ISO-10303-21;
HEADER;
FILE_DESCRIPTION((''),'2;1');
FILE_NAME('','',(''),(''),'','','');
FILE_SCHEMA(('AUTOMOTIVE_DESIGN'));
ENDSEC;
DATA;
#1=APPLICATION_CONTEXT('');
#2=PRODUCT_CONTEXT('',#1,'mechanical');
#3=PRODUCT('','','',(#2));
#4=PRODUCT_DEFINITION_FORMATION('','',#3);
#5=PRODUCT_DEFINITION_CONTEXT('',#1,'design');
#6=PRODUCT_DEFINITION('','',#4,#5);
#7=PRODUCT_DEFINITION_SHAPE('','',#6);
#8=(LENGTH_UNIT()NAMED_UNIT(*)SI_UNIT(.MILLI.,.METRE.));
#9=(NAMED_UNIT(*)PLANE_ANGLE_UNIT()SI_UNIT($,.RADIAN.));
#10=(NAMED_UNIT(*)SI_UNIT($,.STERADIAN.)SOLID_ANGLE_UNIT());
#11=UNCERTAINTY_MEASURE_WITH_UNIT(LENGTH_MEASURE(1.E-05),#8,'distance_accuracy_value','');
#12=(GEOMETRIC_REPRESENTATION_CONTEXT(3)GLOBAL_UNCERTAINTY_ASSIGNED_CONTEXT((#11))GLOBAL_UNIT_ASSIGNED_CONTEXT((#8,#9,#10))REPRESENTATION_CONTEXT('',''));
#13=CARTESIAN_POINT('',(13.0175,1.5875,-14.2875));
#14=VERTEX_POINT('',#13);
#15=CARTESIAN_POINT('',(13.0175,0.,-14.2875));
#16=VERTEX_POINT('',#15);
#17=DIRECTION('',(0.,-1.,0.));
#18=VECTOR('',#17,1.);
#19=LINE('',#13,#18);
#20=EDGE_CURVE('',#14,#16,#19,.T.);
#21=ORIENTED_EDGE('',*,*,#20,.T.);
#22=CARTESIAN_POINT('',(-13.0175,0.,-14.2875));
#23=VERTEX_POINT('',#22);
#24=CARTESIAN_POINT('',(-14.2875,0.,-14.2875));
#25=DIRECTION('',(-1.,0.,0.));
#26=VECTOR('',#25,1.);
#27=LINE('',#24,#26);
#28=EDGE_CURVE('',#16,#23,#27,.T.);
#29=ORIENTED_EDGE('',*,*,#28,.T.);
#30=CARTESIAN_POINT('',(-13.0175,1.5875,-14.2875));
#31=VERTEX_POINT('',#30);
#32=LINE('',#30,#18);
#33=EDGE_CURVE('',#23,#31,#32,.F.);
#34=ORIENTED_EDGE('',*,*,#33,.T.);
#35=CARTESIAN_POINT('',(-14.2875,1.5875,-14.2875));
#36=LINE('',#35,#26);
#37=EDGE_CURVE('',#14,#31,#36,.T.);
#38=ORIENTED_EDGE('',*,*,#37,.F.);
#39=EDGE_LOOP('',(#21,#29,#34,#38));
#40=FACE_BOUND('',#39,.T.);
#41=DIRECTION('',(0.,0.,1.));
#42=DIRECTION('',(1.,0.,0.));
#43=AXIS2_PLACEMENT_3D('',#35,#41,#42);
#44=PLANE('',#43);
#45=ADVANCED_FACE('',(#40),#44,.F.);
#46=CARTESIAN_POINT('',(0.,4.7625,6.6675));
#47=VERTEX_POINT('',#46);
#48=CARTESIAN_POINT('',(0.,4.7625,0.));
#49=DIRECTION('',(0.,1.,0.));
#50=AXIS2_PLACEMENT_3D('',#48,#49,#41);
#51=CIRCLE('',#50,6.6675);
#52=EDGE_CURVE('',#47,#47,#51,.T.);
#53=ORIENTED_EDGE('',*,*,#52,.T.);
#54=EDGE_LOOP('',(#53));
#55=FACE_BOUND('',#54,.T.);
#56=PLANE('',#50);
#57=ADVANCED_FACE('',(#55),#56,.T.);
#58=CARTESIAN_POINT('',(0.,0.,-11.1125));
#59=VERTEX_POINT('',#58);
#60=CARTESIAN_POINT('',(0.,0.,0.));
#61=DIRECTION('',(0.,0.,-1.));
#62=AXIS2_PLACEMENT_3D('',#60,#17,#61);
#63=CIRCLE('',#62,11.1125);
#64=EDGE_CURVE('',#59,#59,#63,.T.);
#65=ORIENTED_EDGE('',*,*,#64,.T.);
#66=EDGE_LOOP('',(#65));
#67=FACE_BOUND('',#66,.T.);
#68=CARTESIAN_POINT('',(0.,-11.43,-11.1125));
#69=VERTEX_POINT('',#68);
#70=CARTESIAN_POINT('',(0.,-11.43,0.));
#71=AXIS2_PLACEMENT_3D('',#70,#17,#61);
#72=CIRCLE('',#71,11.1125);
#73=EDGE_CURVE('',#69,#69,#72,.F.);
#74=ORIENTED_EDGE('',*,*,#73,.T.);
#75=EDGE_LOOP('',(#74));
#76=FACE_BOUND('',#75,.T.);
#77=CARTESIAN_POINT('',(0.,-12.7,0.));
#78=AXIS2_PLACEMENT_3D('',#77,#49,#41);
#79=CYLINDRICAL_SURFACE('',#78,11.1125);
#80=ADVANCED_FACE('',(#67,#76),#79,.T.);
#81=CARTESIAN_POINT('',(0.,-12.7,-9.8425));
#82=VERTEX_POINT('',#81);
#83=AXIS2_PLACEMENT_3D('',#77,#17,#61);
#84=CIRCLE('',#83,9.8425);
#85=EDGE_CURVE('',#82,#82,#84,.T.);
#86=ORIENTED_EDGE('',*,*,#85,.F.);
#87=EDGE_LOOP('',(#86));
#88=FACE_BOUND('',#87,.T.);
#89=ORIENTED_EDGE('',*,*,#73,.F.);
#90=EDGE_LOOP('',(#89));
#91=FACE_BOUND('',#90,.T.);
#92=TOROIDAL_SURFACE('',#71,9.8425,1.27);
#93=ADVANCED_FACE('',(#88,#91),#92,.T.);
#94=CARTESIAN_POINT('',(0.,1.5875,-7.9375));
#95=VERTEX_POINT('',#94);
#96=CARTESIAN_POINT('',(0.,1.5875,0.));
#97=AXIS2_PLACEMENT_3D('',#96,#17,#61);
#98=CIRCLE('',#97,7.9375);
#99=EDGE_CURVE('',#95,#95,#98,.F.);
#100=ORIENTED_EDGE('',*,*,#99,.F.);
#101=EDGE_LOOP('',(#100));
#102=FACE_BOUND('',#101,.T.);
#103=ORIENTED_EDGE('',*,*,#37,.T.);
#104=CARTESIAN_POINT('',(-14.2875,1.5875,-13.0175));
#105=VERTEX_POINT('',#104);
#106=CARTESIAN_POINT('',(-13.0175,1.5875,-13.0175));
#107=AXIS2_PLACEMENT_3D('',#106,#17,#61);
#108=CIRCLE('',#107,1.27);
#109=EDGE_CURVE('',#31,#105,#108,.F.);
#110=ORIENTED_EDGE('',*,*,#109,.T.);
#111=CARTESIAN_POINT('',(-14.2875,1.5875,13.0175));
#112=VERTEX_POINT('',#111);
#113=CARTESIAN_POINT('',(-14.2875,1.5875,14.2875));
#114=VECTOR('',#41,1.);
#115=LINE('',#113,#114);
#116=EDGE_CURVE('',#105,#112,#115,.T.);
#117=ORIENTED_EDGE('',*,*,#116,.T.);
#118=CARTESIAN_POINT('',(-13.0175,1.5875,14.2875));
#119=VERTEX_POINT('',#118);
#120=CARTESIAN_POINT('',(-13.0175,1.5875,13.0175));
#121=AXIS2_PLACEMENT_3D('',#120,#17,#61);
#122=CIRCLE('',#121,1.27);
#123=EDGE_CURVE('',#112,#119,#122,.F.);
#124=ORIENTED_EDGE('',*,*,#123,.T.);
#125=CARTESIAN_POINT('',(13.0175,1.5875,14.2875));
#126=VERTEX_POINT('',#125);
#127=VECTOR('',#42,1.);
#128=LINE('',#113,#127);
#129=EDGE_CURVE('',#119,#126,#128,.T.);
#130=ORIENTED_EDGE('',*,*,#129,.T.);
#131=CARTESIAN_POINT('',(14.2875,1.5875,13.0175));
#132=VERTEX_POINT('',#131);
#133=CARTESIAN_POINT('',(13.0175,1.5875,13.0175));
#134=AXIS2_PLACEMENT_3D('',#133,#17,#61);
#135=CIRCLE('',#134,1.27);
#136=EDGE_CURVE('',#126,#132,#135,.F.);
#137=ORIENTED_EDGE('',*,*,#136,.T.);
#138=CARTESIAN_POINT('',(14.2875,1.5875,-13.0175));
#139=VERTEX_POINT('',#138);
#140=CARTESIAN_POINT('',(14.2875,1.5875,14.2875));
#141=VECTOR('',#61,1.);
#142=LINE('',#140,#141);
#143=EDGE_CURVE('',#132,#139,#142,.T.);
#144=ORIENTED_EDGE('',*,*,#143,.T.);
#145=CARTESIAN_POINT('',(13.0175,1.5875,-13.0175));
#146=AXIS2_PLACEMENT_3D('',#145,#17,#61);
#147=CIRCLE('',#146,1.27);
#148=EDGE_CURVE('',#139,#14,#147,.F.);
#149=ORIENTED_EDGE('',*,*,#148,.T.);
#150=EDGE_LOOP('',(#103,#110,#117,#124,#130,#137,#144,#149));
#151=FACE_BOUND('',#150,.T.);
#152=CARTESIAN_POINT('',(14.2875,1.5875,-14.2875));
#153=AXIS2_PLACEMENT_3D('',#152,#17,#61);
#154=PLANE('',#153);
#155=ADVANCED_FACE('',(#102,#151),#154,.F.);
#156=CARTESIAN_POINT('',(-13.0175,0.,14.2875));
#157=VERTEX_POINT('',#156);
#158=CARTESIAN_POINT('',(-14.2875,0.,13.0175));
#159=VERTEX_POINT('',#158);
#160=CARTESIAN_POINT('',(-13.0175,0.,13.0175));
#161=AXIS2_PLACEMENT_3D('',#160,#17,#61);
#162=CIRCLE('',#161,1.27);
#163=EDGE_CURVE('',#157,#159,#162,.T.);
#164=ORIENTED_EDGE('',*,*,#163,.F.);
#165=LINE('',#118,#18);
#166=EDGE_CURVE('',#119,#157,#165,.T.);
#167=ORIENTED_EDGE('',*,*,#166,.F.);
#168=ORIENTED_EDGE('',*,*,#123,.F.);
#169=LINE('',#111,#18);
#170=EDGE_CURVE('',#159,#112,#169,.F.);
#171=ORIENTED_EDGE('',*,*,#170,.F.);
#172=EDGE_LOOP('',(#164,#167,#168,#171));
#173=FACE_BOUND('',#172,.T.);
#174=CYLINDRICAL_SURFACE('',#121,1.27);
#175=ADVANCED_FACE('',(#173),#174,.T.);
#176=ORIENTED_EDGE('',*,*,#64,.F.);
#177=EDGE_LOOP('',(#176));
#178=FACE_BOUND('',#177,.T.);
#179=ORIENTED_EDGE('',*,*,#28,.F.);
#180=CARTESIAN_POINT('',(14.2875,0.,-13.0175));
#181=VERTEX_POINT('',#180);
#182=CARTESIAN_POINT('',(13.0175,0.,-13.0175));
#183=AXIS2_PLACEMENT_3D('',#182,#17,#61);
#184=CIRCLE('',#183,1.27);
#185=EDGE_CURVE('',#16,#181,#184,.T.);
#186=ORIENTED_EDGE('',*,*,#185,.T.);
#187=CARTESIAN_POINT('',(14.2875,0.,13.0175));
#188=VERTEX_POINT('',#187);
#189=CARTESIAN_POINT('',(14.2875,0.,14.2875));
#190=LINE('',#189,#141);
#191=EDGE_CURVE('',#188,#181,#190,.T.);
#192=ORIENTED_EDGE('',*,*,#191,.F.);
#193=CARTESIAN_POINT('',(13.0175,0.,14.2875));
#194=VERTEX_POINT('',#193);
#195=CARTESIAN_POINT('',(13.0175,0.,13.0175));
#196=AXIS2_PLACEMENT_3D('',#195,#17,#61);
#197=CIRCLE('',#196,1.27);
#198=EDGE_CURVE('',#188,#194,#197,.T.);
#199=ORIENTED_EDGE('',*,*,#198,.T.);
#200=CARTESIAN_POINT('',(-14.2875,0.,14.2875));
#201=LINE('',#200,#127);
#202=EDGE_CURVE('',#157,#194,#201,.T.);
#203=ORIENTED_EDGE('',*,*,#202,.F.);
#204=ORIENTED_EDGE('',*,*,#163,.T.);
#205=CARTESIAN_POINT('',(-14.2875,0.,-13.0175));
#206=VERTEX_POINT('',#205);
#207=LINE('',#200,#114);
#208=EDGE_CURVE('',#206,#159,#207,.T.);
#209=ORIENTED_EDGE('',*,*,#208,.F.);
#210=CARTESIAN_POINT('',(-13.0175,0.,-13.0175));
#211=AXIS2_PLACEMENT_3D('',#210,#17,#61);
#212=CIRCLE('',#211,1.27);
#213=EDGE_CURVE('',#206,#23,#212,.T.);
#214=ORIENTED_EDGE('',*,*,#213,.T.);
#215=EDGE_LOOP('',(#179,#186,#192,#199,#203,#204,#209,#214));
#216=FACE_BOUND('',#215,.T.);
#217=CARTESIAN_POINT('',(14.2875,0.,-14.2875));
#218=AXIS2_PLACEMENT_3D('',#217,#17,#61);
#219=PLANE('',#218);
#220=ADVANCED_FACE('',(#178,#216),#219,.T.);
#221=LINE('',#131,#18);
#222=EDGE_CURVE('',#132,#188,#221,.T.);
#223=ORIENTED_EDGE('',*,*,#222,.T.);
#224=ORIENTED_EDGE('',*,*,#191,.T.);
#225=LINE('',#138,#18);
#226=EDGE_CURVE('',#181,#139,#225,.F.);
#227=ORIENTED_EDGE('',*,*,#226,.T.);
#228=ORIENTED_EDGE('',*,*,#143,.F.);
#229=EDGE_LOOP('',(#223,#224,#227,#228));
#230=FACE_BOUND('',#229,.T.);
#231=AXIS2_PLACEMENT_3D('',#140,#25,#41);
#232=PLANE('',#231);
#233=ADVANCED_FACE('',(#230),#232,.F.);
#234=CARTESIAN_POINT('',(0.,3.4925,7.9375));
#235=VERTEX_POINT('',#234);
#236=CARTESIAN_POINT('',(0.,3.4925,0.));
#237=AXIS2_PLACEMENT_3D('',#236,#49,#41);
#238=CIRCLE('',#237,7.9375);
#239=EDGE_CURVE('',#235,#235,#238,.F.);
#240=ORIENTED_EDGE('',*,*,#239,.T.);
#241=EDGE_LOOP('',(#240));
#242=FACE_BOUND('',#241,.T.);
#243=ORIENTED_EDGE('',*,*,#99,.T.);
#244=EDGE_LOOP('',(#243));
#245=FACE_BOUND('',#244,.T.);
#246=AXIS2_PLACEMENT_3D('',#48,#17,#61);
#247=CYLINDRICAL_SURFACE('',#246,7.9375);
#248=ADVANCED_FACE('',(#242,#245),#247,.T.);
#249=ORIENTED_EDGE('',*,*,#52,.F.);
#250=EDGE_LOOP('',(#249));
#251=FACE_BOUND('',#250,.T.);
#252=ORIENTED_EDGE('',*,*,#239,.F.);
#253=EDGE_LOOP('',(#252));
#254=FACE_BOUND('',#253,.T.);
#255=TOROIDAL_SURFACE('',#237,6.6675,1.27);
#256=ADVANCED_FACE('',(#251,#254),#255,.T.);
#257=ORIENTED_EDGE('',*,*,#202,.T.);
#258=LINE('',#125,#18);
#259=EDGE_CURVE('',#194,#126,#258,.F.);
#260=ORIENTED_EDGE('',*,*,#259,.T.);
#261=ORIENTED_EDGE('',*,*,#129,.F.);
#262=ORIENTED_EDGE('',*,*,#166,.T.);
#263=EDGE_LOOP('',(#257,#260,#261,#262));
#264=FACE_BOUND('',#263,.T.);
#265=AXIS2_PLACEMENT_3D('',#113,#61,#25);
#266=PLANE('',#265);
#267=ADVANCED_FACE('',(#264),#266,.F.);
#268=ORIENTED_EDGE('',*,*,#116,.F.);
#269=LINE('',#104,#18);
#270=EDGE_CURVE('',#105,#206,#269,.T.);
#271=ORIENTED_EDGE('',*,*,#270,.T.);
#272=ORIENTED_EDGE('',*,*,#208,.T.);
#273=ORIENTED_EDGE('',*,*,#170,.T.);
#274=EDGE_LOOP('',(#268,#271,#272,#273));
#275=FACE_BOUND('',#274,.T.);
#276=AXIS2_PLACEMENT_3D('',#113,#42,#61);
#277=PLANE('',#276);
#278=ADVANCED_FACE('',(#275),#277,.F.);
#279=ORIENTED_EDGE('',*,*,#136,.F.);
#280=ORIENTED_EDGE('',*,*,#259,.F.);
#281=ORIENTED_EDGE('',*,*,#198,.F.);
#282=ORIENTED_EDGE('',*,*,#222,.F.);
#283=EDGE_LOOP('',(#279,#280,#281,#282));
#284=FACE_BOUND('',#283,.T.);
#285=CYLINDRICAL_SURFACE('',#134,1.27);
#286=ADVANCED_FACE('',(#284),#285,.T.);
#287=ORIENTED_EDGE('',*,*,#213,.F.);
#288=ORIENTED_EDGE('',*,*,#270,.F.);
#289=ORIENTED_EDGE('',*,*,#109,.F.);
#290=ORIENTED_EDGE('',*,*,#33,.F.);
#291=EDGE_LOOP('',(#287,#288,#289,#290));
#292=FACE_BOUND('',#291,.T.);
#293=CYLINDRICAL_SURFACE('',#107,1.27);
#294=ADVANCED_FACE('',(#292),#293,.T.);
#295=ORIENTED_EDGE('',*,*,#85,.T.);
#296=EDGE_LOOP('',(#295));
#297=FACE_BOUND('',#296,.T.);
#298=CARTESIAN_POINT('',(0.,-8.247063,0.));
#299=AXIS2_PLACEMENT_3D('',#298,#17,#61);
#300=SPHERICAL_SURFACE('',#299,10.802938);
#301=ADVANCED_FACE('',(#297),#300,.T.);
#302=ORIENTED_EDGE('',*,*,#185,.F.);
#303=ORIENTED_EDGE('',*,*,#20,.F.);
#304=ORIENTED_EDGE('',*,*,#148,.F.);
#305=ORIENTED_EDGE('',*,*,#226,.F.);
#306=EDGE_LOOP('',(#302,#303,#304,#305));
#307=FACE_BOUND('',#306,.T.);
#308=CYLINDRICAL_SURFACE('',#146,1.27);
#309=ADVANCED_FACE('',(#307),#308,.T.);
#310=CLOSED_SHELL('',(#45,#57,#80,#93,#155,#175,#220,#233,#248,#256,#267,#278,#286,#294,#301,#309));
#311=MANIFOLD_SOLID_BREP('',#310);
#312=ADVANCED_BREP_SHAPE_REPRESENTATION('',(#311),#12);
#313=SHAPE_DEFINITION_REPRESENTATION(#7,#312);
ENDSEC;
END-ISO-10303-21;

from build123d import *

# Parameters (mm, degrees)
SKETCH1_W           = 28.575
SKETCH1_H           = 28.575
BOSS_EXTRUDE1_DEPTH = 1.5875
SKETCH2_R           = 7.9375
BOSS_EXTRUDE2_DEPTH = 3.175
SKETCH3_R           = 11.1125
BOSS_EXTRUDE3_DEPTH = 12.7
FILLET1_R           = 1.27
DOME1_FACE_RADIUS   = 9.8425
DOME1_HEIGHT        = 6.35
FILLET2_R           = 1.27


with BuildPart() as part:
    # Sketch1 → Boss-Extrude1 (new body)
    with BuildSketch(Plane(origin=(0, 0, 0), x_dir=(1, 0, 0), z_dir=(0, 1, 0))):
        Rectangle(SKETCH1_W, SKETCH1_H)
    extrude(amount=BOSS_EXTRUDE1_DEPTH)

    # Sketch2 → Boss-Extrude2 (add)
    with BuildSketch(Plane(origin=(0, 1.5875, 0), x_dir=(1, 0, 0), z_dir=(0, 1, 0))):
        Circle(SKETCH2_R)
    extrude(amount=BOSS_EXTRUDE2_DEPTH)

    # Sketch3 → Boss-Extrude3 (add)
    with BuildSketch(Plane.XZ):
        Circle(SKETCH3_R)
    extrude(amount=BOSS_EXTRUDE3_DEPTH)

    # Fillet1
    fillet1_edges = [part.edges().sort_by_distance(p)[0] for p in [
        (-7.9375, 4.7625, 0),
        (-11.1125, -12.7, 0),
    ]]
    fillet(fillet1_edges, radius=FILLET1_R)

    # Dome1: a dome of height H over a round flat face of radius A is a cap of a sphere of radius (A * A + H * H) / (2 * H)
    dome1_r = (DOME1_FACE_RADIUS * DOME1_FACE_RADIUS + DOME1_HEIGHT * DOME1_HEIGHT) / (2 * DOME1_HEIGHT)
    dome1_base = Plane((0, -12.7, 0), z_dir=(0, -1, 0))
    with Locations(dome1_base.offset(DOME1_HEIGHT - dome1_r)):
        dome1_ball = Sphere(dome1_r, mode=Mode.PRIVATE)
    add(split(dome1_ball, bisect_by=dome1_base, keep=Keep.TOP, mode=Mode.PRIVATE))

    # Fillet2
    fillet2_edges = [part.edges().sort_by_distance(p)[0] for p in [
        (14.2875, 0.79375, 14.2875),
        (-14.2875, 0.79375, 14.2875),
        (-14.2875, 0.79375, -14.2875),
        (14.2875, 0.79375, -14.2875),
    ]]
    fillet(fillet2_edges, radius=FILLET2_R)


solid = part.part
